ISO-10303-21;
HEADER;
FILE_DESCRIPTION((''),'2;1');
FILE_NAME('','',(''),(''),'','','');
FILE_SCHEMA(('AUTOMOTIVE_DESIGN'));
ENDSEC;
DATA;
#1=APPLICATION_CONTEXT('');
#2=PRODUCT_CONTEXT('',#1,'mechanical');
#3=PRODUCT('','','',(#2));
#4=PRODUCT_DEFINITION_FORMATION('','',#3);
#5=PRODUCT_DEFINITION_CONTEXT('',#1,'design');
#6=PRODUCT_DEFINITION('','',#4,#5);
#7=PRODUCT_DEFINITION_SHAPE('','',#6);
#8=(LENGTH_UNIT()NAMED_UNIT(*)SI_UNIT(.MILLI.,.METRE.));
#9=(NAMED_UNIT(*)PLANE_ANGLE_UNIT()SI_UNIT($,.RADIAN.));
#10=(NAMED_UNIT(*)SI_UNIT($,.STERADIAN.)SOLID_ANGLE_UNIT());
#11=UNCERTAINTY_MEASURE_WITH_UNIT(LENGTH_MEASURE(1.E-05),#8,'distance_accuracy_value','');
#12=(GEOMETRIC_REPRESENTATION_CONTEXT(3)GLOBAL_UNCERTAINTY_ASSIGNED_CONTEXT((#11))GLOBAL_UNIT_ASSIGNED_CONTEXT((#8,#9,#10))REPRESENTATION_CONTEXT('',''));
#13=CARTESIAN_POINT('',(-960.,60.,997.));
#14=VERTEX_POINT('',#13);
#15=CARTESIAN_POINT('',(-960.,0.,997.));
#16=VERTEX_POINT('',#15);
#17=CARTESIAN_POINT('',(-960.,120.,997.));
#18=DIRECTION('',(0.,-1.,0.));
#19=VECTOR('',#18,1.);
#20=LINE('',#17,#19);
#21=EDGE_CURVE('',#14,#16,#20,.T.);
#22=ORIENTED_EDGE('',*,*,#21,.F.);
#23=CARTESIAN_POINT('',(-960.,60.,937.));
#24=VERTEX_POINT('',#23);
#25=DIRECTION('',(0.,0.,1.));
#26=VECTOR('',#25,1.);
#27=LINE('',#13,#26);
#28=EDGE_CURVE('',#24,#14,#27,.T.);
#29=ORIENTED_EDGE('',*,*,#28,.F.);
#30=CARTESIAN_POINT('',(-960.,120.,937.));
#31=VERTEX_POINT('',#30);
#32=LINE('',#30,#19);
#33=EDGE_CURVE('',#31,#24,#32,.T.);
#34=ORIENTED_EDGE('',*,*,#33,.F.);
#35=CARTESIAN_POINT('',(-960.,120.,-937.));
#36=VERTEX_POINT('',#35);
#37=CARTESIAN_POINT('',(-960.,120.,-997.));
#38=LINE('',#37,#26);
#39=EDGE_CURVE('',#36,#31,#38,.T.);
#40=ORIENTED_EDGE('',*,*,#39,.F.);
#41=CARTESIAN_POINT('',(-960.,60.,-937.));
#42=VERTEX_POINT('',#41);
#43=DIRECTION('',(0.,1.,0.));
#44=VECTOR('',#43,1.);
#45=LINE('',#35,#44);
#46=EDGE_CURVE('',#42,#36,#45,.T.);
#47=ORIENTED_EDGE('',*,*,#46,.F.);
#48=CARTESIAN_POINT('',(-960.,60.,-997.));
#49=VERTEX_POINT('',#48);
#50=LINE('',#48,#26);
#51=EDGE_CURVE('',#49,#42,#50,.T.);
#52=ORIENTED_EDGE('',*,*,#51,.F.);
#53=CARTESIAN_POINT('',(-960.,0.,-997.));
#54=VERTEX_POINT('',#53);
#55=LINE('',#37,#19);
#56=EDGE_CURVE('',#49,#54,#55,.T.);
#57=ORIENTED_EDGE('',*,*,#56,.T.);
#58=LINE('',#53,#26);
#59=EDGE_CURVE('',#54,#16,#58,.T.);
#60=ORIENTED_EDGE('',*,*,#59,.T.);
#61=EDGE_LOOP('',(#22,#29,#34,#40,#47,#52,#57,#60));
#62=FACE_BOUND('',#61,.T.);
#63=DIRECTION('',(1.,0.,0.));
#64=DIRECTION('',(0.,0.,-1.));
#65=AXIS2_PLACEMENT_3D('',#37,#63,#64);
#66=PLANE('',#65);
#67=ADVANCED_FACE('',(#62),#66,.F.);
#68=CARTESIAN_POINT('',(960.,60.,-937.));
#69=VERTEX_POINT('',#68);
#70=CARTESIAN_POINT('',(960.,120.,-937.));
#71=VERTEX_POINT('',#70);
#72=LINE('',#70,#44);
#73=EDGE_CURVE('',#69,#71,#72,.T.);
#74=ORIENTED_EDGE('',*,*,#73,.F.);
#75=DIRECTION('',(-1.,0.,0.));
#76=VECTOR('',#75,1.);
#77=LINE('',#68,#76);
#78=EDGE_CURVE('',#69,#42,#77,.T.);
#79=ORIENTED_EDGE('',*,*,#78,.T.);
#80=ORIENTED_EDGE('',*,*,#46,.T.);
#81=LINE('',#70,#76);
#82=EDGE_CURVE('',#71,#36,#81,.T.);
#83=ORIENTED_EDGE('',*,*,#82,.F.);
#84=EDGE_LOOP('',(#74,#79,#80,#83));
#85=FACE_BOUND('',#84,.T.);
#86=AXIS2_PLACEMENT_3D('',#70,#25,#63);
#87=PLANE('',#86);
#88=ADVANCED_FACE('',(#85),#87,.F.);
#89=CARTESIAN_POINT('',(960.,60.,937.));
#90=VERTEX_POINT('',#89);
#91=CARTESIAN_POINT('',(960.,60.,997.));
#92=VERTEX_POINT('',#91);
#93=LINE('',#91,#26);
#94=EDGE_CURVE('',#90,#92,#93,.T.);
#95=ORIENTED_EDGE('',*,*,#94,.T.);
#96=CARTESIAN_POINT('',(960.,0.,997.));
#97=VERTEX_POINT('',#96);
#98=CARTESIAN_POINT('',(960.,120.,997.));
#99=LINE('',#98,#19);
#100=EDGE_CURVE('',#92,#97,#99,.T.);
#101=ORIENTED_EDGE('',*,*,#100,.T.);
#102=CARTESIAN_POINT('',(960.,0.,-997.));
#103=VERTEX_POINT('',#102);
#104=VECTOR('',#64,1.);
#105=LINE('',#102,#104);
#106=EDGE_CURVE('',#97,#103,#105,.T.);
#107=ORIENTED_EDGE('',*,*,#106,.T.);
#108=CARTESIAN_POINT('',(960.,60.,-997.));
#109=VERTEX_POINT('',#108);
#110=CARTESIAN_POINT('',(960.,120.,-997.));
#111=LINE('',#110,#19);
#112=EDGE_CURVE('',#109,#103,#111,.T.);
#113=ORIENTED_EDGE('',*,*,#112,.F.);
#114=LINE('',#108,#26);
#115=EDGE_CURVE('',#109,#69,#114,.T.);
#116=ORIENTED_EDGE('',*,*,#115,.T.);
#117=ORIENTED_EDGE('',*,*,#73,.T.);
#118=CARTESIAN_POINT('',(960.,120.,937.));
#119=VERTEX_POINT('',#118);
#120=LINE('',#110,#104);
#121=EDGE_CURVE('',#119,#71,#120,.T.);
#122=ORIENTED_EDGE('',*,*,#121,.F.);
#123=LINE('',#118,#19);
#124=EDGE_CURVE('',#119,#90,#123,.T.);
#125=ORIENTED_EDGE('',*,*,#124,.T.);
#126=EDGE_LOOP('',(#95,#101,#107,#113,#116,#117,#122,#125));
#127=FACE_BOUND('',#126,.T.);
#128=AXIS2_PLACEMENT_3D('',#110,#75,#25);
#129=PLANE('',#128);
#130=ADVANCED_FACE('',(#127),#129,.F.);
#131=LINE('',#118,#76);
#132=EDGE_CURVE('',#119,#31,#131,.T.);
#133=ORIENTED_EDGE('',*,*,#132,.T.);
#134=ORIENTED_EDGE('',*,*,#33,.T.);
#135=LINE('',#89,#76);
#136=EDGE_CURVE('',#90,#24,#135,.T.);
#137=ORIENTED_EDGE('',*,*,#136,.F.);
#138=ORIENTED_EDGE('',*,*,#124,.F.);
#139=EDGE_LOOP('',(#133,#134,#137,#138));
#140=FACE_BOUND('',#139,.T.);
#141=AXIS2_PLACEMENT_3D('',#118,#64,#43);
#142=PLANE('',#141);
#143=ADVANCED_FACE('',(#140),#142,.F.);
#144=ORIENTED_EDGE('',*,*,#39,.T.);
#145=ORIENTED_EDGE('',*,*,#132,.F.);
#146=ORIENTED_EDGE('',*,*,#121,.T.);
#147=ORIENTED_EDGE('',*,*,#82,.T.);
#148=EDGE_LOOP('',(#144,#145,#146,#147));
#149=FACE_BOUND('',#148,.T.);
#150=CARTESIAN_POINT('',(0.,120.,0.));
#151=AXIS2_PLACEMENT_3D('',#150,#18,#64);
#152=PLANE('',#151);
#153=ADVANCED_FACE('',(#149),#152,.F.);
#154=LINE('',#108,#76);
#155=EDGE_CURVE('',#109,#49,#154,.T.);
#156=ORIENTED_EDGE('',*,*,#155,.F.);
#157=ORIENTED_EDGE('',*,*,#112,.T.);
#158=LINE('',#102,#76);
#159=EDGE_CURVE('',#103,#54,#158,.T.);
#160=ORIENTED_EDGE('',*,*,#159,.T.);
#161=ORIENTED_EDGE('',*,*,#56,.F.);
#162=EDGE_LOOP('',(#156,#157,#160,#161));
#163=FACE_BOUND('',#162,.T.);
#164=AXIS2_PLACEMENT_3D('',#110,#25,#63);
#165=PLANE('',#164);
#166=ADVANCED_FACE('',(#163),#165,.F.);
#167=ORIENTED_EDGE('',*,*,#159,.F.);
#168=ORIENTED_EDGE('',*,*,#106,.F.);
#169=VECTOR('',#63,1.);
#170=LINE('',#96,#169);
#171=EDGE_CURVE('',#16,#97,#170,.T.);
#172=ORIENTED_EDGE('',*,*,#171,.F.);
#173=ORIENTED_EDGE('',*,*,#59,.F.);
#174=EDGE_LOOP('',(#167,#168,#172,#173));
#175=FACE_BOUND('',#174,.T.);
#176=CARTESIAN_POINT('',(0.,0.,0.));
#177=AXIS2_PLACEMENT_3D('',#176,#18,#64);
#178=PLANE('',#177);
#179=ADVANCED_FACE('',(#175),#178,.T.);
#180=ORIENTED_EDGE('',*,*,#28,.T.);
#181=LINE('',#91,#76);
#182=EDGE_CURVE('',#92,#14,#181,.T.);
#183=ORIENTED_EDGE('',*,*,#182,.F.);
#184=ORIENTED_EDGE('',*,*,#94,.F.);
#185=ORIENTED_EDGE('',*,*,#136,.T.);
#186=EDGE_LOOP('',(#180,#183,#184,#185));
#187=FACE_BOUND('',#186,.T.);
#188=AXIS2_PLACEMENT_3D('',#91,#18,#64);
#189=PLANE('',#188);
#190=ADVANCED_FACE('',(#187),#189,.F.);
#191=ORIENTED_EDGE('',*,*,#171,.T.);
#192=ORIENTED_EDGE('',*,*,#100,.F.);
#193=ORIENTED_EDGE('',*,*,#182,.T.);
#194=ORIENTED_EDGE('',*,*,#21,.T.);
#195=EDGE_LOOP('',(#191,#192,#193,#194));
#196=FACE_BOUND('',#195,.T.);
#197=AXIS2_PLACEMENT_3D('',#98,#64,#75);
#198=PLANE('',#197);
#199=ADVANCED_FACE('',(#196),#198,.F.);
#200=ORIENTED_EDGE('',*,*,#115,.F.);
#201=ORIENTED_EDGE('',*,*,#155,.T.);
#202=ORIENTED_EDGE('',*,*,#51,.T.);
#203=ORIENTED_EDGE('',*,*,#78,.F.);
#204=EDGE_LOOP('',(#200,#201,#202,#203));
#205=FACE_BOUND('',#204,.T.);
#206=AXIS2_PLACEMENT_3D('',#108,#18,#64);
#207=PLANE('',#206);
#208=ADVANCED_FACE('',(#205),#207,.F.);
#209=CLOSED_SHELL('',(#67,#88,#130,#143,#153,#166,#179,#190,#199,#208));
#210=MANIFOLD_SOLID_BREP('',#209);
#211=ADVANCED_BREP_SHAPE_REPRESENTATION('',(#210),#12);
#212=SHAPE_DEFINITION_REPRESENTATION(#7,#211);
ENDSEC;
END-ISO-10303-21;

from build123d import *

# Parameters (mm, degrees)
SKETCH1_W           = 1920
SKETCH1_H           = 1994
BOSS_EXTRUDE1_DEPTH = 120
SKETCH2_W           = 60
SKETCH2_H           = 60
CUT_EXTRUDE1_DEPTH  = 2167.750793239


with BuildPart() as part:
    # Sketch1 → Boss-Extrude1 (new body)
    with BuildSketch(Plane(origin=(0, 0, 0), x_dir=(1, 0, 0), z_dir=(0, 1, 0))):
        Rectangle(SKETCH1_W, SKETCH1_H)
    extrude(amount=BOSS_EXTRUDE1_DEPTH)

    # Sketch2 → Cut-Extrude1 (cut, through all)
    with BuildSketch(Plane.ZY.offset(960)):
        with Locations((-967, 90)):
            Rectangle(SKETCH2_W, SKETCH2_H)
        with Locations((967, 90)):
            Rectangle(SKETCH2_W, SKETCH2_H)
    extrude(amount=-CUT_EXTRUDE1_DEPTH, mode=Mode.SUBTRACT)


solid = part.part
